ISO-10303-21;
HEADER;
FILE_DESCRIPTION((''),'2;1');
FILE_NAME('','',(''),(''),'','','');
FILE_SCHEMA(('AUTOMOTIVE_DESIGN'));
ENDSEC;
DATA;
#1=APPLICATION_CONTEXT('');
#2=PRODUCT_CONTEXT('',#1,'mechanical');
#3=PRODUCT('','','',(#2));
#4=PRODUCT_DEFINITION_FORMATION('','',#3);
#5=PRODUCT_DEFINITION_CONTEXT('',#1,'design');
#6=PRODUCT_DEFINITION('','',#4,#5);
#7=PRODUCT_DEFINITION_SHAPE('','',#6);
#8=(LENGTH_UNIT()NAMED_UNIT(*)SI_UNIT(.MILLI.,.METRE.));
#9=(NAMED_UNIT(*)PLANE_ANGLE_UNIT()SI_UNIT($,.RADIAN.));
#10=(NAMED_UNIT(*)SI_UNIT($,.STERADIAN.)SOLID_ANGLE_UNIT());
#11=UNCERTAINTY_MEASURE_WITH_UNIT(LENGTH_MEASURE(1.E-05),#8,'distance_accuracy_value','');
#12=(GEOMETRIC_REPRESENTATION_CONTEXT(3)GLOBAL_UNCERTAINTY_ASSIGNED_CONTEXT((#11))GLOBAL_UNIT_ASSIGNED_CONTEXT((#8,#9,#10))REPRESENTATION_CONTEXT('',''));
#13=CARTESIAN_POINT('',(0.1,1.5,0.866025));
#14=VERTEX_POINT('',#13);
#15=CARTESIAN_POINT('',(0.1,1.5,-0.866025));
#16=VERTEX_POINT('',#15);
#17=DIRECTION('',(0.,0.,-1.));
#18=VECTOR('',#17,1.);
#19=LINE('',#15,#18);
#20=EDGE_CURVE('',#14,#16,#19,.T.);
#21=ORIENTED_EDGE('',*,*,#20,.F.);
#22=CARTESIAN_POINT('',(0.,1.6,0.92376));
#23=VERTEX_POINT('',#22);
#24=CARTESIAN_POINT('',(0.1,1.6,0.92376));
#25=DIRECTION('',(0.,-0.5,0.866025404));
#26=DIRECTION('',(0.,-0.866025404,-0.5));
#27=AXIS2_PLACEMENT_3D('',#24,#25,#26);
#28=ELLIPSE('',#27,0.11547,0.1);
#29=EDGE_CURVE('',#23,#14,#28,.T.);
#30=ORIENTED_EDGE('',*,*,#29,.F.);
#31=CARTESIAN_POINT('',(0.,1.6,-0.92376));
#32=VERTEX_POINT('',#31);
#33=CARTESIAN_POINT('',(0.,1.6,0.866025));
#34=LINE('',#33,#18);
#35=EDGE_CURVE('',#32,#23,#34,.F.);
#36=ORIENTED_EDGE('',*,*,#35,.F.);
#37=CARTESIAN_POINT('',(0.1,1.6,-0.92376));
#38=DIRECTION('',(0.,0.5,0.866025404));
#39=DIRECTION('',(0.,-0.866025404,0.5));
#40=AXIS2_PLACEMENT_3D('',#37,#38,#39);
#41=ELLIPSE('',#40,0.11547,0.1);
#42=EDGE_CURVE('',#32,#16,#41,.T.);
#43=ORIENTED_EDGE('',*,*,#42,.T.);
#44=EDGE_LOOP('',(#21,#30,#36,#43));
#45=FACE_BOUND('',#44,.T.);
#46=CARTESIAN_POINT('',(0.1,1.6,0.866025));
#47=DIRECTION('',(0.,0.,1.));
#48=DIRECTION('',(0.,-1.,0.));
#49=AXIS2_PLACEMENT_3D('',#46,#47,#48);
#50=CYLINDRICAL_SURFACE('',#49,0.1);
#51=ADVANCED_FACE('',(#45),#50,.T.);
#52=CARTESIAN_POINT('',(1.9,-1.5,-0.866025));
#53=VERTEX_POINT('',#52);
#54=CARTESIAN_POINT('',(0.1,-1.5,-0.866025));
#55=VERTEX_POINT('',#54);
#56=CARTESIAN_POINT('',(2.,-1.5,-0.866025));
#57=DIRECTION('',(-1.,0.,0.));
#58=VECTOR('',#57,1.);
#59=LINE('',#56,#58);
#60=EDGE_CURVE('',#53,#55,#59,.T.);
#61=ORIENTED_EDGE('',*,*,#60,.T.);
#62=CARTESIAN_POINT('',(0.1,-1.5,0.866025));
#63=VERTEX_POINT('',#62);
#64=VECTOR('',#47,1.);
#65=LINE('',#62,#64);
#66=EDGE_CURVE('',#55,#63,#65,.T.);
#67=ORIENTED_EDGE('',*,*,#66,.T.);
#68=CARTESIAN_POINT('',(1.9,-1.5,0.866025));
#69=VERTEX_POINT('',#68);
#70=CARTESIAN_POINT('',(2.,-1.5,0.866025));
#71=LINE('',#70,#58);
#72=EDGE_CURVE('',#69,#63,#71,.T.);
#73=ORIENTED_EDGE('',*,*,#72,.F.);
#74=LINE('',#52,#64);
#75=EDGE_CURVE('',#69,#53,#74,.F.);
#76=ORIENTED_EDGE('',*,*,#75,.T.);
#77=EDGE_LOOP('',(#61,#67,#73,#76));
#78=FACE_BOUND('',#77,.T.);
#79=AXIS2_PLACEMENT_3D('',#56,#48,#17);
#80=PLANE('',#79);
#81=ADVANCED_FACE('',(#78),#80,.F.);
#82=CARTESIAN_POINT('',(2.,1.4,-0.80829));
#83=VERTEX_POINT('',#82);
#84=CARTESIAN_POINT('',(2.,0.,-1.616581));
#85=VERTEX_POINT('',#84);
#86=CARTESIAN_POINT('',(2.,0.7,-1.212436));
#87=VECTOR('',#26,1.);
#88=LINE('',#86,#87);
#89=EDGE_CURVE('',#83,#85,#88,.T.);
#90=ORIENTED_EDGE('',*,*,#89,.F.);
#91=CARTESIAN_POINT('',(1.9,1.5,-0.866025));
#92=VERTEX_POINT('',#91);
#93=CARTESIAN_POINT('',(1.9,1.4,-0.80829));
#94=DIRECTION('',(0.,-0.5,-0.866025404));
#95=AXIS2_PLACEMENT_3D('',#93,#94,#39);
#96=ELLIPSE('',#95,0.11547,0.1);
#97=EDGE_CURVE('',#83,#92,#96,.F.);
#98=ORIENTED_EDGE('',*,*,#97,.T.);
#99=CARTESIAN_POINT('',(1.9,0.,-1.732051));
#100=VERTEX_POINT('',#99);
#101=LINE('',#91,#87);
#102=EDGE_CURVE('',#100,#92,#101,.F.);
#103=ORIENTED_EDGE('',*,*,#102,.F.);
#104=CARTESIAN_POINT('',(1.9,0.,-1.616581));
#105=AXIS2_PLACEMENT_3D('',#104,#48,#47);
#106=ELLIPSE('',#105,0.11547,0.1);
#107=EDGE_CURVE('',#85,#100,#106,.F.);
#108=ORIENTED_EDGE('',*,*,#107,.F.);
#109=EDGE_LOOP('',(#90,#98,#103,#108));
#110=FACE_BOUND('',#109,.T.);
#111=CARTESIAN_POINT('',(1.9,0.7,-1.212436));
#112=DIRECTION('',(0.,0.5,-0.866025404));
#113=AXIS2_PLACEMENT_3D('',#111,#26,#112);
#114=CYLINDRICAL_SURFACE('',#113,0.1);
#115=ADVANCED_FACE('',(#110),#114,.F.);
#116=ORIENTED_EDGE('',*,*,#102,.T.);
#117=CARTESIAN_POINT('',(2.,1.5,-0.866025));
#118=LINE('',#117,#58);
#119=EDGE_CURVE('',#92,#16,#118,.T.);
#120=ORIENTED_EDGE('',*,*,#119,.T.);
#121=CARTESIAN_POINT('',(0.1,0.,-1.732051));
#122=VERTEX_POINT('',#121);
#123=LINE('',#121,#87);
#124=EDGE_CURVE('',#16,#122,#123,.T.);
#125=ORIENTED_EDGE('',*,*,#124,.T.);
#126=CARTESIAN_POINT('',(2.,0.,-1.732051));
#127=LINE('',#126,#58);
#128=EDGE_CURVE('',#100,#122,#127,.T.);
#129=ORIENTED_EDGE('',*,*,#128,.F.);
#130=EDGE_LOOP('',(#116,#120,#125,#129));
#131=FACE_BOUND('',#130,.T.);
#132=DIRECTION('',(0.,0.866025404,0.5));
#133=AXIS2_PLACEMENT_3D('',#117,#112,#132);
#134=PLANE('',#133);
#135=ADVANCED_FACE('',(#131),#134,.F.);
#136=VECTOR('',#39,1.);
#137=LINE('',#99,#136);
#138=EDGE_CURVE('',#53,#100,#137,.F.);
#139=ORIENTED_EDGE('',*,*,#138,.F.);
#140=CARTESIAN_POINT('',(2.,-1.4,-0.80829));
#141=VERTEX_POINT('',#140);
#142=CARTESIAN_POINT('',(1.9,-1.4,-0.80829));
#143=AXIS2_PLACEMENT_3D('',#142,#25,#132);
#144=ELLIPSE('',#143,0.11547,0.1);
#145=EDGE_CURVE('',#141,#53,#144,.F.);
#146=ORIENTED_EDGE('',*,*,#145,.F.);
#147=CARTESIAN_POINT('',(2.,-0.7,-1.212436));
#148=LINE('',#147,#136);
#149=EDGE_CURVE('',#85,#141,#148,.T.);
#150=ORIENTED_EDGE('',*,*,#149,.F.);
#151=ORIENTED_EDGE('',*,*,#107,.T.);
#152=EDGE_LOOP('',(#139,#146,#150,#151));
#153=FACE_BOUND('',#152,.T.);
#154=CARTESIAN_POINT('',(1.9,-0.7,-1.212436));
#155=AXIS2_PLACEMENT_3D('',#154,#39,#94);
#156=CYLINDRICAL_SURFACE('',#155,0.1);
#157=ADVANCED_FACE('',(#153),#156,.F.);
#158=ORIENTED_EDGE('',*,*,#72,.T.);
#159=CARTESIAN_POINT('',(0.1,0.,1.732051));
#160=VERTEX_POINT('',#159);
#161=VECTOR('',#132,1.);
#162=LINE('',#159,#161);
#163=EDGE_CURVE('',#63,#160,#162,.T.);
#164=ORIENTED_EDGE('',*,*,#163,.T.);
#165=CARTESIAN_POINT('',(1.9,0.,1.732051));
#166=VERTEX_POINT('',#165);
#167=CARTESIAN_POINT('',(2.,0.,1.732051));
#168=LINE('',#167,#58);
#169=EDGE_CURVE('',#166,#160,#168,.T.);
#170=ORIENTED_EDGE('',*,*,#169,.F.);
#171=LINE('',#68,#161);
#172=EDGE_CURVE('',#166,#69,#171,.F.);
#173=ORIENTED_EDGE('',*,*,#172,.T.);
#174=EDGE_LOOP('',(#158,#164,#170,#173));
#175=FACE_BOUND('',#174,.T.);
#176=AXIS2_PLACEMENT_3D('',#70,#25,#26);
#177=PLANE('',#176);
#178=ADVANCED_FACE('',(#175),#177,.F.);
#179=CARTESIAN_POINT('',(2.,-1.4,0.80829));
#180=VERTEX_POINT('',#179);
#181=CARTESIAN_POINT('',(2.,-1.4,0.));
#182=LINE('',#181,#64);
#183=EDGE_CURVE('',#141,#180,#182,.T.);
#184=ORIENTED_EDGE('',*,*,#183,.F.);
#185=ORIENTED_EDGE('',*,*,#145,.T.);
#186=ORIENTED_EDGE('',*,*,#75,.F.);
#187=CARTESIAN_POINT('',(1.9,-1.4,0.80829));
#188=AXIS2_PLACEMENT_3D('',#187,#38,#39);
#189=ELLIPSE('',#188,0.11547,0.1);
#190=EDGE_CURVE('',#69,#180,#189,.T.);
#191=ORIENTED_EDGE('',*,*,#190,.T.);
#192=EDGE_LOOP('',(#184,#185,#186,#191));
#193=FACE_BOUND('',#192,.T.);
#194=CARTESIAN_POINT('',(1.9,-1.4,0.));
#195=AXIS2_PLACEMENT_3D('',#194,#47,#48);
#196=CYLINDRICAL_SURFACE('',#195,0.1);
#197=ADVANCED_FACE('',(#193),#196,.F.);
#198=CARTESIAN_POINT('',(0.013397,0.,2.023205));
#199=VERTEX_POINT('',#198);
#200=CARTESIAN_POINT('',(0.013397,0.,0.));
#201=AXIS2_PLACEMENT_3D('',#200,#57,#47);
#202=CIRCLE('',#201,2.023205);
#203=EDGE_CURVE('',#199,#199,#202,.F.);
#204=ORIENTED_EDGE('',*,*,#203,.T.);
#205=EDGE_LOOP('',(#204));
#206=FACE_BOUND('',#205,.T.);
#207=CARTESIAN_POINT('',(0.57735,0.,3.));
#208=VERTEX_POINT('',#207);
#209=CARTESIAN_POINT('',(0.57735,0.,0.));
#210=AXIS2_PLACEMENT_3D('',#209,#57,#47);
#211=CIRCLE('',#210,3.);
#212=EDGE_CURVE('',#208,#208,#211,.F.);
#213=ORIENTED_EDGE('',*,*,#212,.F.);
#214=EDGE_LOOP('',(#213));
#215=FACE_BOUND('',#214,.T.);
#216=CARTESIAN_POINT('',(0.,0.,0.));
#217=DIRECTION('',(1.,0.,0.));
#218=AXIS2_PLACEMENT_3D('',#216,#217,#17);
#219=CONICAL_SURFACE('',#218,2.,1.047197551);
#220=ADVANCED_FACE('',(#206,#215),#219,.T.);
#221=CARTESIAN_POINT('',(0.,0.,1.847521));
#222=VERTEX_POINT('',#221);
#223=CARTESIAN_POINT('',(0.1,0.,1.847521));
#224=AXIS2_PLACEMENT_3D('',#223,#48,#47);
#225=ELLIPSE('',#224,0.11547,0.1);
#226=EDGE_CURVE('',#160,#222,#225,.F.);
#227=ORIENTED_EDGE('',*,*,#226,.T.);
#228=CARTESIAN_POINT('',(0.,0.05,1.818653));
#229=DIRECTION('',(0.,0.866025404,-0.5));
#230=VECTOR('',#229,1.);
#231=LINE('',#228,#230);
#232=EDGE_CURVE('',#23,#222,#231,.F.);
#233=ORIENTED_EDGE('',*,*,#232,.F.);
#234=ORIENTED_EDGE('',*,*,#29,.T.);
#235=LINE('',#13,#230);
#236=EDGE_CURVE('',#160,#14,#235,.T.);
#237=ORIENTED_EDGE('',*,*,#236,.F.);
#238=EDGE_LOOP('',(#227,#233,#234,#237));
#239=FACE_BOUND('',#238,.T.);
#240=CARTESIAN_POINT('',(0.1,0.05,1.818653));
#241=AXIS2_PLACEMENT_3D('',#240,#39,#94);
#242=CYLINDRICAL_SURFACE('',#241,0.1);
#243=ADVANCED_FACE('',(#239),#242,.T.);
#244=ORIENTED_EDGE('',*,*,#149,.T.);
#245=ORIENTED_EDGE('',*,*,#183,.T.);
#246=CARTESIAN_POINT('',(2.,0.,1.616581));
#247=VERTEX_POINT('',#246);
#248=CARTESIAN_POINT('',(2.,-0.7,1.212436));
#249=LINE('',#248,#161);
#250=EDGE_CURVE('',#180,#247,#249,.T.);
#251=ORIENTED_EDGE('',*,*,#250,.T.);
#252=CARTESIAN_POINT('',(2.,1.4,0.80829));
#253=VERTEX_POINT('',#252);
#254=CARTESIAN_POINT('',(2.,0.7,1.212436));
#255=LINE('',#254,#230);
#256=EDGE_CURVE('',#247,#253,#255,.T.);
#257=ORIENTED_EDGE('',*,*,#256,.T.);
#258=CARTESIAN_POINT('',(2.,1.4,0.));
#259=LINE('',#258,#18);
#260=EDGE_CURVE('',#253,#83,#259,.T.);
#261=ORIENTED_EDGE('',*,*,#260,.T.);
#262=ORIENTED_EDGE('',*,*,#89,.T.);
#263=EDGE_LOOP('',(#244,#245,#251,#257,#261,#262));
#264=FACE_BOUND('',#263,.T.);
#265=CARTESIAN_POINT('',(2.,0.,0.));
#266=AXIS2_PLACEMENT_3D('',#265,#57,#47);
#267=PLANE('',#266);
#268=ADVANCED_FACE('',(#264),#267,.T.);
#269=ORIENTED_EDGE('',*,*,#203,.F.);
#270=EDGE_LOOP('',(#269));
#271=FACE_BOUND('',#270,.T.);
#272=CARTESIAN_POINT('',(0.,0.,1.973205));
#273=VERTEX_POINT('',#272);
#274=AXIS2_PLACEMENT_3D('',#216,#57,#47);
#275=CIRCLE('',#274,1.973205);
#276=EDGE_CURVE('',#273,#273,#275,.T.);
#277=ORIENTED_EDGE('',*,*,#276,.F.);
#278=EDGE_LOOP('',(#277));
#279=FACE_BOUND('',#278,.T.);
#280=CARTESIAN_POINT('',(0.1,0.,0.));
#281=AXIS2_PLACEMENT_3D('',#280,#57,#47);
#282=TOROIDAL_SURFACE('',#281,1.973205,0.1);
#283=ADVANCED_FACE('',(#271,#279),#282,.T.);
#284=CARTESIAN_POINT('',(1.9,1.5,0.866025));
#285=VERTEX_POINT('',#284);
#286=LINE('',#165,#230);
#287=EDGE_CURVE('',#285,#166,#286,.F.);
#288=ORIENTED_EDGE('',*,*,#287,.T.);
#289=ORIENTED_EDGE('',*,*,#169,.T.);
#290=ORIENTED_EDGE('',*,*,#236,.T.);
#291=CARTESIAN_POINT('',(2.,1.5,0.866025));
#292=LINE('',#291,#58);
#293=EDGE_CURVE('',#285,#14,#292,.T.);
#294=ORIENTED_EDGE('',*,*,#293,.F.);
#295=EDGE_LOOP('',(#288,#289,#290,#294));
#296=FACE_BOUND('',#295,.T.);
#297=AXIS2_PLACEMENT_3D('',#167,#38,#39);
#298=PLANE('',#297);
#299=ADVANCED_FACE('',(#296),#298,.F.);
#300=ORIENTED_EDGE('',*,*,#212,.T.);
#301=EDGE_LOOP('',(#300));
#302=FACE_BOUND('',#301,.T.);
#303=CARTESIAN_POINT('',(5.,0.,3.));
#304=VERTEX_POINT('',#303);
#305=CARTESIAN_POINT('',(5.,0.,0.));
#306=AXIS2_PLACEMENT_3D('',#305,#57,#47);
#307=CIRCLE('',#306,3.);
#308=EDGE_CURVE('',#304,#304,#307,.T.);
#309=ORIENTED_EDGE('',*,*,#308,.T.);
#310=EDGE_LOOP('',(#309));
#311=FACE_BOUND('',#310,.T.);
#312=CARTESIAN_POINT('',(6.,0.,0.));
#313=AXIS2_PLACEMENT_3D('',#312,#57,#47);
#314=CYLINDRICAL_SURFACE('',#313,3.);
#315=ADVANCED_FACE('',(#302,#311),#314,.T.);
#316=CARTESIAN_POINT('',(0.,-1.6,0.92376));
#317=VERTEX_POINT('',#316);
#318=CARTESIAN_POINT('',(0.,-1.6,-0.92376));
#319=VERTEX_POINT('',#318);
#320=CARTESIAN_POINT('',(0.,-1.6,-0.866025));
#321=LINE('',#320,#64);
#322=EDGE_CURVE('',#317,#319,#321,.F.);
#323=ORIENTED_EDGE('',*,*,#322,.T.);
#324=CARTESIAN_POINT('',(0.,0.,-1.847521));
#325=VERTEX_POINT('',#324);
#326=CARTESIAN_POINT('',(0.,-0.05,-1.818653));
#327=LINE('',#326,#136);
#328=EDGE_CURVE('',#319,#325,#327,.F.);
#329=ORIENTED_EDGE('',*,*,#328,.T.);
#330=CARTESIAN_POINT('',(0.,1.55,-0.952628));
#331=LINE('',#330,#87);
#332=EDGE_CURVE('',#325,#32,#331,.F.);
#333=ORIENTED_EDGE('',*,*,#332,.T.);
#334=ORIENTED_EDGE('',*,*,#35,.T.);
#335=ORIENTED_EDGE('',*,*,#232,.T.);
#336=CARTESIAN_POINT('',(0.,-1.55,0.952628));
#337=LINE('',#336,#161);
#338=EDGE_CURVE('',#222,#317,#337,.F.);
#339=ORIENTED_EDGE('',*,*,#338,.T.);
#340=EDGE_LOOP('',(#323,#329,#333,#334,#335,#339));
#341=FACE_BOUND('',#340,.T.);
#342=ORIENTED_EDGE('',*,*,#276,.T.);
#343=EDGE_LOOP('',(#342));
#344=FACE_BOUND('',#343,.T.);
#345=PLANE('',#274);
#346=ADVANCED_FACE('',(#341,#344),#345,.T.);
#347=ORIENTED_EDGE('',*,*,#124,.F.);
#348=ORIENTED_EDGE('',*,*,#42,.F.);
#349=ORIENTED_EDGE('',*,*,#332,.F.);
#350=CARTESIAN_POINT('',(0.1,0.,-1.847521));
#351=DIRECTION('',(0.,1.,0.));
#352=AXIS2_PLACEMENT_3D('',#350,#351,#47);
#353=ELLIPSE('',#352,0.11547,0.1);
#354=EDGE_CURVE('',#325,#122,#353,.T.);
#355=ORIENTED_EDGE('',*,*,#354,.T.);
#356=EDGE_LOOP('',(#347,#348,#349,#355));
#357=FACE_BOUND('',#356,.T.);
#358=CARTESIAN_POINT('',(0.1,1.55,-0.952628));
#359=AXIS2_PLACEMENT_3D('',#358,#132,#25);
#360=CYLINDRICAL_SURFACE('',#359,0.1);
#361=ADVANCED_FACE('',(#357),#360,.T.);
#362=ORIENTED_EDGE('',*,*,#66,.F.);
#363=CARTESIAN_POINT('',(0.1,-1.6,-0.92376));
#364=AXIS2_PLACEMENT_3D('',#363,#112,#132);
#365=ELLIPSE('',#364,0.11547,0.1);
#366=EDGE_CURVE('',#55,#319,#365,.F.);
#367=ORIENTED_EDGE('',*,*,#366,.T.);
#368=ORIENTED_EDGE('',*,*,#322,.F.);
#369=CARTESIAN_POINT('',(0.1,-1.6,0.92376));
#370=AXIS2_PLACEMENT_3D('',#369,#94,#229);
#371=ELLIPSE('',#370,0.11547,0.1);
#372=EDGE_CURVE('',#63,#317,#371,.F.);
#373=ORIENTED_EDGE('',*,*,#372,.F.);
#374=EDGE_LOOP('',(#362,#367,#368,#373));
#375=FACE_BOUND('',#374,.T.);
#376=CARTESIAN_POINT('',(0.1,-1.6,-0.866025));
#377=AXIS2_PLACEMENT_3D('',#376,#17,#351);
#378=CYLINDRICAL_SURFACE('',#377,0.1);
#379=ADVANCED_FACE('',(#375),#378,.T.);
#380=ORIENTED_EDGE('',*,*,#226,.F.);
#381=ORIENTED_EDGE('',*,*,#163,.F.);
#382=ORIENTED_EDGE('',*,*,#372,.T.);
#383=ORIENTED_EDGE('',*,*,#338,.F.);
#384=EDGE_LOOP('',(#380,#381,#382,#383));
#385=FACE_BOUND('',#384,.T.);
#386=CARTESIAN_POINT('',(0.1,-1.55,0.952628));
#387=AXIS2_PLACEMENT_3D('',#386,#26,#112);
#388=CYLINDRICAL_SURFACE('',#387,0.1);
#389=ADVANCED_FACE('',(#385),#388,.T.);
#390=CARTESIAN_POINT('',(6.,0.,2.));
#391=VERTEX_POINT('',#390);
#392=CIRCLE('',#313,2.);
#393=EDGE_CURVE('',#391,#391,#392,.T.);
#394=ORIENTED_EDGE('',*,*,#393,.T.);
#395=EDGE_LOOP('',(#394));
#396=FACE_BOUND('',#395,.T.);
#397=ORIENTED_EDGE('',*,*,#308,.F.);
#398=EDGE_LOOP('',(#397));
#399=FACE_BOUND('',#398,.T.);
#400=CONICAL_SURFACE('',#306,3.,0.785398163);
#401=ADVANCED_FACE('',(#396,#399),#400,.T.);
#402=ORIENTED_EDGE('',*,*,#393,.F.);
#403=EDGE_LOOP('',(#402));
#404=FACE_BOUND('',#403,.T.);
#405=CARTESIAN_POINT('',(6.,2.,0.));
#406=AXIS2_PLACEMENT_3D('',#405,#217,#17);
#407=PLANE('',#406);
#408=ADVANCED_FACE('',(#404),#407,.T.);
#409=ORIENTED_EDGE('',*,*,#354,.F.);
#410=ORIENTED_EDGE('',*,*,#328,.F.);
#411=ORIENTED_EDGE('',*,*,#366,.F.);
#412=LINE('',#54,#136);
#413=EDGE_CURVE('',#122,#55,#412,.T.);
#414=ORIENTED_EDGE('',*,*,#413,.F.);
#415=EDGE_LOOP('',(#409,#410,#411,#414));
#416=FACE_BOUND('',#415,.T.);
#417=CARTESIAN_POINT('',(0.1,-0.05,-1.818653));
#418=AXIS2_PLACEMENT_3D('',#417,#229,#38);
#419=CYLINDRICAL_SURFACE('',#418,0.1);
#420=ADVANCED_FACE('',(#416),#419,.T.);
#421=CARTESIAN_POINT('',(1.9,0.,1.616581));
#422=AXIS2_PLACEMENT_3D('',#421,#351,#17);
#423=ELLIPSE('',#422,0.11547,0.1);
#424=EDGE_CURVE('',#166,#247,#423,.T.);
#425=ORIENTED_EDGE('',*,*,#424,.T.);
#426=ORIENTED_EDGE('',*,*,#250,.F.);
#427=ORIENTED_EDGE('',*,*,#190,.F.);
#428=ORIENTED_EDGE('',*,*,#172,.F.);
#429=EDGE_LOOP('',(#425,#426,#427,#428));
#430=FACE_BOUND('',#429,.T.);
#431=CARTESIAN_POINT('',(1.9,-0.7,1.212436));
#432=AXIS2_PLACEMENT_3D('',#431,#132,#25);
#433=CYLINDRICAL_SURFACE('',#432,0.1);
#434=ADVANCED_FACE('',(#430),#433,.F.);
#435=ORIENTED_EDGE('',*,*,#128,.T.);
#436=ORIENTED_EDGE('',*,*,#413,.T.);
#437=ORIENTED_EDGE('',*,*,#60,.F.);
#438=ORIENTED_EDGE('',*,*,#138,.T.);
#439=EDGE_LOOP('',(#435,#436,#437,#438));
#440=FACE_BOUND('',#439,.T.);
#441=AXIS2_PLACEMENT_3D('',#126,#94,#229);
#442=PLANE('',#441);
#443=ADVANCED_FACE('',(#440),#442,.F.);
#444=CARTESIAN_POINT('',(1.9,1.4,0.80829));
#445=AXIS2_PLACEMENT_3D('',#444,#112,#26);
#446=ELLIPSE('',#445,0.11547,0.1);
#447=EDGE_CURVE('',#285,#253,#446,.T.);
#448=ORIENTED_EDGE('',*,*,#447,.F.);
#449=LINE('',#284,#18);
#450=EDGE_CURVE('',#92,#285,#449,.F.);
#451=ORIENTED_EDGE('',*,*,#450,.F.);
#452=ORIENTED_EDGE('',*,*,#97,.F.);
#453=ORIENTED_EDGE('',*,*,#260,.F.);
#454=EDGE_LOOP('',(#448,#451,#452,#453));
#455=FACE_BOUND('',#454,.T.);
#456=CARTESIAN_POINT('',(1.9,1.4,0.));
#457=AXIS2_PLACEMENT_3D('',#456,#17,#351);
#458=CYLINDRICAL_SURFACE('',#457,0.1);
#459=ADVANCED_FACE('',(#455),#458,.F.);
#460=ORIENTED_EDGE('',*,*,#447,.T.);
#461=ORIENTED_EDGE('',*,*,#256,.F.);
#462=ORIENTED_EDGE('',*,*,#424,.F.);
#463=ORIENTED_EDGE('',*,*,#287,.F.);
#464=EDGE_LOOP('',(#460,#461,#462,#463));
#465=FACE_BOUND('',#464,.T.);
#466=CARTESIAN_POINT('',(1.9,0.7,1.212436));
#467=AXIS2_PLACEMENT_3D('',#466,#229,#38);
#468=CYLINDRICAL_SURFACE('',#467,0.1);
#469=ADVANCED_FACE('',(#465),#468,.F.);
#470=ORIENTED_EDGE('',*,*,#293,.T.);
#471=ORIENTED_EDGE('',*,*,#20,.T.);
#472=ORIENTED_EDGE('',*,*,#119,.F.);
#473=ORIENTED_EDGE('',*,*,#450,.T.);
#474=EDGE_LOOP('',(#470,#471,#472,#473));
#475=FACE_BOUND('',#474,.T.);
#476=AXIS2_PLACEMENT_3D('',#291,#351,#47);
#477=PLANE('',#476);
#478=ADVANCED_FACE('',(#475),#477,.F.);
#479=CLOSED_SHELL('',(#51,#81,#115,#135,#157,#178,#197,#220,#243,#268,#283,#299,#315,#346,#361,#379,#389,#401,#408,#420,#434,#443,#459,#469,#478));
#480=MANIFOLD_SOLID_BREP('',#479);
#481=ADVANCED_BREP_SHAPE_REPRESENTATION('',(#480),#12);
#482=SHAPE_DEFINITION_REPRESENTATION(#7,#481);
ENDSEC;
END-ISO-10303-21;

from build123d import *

# Parameters (mm, degrees)
CUT_EXTRUDE_1_DEPTH = 2
CHAMFER_1_SIZE      = 1
CHAMFER_1_SIZE2     = 0.577350269
FILLET_1_R          = 0.1


with BuildPart() as part:
    # Эскиз1 → Повернуть1 (revolve)
    with BuildSketch(Plane(origin=(0, 0, 0), x_dir=(-1, 0, 0), z_dir=(0, 0, -1))):
        Polygon((-6, 2), (-6, 0), (0, 0), (0, 3), (-5, 3), align=None)
    revolve(axis=Axis((6, 0, 0), (-1, 0, 0)))

    # Эскиз2 → Вырез-Вытянуть1 (cut)
    with BuildSketch(Plane.ZY):
        Polygon((1.732050808, 0), (0.866025404, 1.5), (-0.866025404, 1.5), (-1.732050808, 0), (-0.866025404, -1.5), (0.866025404, -1.5), align=None)
    extrude(amount=-CUT_EXTRUDE_1_DEPTH, mode=Mode.SUBTRACT)

    # Фаска1
    chamfer_1_edges = [part.edges().sort_by_distance(p)[0] for p in [
        (0, -3, 0),
    ]]
    chamfer_1_side = [part.faces().sort_by_distance(p)[0] for p in [
        (0, -2.915147186, 0),
    ]]
    chamfer(chamfer_1_edges, length=CHAMFER_1_SIZE, length2=CHAMFER_1_SIZE2, reference=chamfer_1_side[0])

    # Скругление1
    fillet_1_edges = [part.edges().sort_by_distance(p)[0] for p in [
        (2, -0.75, 1.299038106),
        (2, -1.5, 0),
        (2, -0.75, -1.299038106),
        (2, 0.75, -1.299038106),
        (2, 1.5, 0),
        (2, 0.75, 1.299038106),
        (0, -0.75, 1.299038106),
        (0, 0.75, 1.299038106),
        (0, 1.5, 0),
        (0, 0.75, -1.299038106),
        (0, -0.75, -1.299038106),
        (0, -1.5, 0),
        (0, -2, 0),
    ]]
    fillet(fillet_1_edges, radius=FILLET_1_R)


solid = part.part
